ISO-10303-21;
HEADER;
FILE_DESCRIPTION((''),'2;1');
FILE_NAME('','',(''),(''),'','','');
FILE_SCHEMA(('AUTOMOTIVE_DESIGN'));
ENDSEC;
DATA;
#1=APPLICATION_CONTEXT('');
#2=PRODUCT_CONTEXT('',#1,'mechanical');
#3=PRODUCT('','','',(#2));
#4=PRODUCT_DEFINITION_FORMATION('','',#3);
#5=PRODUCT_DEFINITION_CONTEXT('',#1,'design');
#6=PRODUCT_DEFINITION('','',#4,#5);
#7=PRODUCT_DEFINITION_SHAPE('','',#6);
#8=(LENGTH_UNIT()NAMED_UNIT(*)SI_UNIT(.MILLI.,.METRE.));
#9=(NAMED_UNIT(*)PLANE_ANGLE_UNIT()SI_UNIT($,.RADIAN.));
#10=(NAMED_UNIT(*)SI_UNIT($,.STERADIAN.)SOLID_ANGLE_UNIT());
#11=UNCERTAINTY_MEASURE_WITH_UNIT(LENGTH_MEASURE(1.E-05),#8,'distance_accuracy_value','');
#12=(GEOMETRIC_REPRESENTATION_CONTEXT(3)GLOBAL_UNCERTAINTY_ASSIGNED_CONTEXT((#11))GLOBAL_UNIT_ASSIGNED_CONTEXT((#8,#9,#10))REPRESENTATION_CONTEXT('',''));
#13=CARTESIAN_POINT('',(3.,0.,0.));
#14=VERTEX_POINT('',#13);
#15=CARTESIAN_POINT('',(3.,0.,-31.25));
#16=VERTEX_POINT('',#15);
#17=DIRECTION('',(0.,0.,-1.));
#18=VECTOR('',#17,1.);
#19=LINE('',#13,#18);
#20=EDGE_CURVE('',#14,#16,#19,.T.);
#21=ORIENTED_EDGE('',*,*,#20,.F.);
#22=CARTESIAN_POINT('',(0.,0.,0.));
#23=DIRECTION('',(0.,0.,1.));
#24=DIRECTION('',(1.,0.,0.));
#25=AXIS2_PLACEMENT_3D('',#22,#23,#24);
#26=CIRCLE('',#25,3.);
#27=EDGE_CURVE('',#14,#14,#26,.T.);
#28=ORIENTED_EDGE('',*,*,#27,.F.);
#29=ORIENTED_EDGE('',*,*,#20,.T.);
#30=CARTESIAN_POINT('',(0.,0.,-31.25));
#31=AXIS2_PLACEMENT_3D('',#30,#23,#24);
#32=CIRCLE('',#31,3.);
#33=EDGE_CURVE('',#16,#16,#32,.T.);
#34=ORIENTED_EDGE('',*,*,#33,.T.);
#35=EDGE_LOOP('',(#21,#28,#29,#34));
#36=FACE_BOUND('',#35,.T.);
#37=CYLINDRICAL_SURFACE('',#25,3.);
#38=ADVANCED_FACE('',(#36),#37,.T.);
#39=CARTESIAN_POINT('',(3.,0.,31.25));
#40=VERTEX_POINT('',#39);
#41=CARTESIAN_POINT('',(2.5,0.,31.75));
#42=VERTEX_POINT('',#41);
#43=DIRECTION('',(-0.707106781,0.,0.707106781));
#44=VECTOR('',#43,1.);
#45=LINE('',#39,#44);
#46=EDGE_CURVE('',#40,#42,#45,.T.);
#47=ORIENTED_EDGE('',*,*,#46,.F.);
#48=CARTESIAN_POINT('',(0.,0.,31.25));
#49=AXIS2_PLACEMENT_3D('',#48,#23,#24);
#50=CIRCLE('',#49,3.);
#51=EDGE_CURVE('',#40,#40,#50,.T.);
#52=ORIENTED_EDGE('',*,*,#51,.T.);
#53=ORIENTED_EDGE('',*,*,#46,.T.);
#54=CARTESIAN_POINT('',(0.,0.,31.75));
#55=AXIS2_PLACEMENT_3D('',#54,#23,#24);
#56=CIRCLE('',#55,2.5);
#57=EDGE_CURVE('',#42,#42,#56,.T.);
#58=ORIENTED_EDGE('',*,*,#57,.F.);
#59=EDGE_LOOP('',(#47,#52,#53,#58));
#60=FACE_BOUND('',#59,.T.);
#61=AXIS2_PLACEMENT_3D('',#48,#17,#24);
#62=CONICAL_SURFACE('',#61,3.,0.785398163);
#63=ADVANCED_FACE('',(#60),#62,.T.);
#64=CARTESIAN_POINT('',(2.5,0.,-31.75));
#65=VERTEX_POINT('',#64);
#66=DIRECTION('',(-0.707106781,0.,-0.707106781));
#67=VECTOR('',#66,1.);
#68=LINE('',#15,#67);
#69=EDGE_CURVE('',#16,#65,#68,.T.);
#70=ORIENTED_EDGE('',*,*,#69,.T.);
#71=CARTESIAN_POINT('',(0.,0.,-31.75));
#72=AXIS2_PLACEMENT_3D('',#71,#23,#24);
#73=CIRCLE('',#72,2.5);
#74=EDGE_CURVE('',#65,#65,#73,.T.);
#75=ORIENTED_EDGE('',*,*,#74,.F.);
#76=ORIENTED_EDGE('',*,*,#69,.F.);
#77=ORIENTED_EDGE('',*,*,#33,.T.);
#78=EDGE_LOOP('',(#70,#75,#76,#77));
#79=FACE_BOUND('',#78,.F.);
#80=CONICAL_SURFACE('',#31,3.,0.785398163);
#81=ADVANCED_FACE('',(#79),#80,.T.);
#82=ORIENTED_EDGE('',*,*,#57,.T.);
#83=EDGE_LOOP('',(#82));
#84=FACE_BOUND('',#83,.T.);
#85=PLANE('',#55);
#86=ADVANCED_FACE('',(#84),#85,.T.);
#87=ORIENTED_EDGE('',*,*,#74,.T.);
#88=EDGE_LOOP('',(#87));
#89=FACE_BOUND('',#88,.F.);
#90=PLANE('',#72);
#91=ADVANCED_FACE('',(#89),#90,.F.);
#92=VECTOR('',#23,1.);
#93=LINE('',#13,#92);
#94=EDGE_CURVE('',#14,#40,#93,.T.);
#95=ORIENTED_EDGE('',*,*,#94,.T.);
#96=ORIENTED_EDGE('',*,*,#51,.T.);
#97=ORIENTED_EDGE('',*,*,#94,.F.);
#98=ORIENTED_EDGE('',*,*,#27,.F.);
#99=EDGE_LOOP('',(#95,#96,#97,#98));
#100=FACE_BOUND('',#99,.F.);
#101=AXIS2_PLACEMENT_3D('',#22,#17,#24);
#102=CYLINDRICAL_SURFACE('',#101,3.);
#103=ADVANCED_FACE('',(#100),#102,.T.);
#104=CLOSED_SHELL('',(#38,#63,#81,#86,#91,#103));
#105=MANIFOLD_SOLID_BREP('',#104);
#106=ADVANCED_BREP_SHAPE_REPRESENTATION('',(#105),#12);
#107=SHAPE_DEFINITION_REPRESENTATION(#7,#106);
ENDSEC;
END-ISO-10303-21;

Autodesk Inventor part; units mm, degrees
ref_plane "YZ Plane" through (0, 0, 0) normal (1, 0, 0) x (0, 1, 0)
ref_plane "XZ Plane" through (0, 0, 0) normal (0, 1, 0) x (-1, 0, 0)
ref_plane "XY Plane" through (0, 0, 0) normal (0, 0, 1) x (1, 0, 0)
sketch "Sketch1" plane through (0, 0, 0) normal (0, 0, 1) x (1, 0, 0)
  circle A0 centre (0, 0) radius 3
  dimension "d0" = 6
extrude "Extrusion1" add sketch "Sketch1" along normal mid plane 63.5
chamfer "Chamfer1" distance 0.5 angle 45 2 edges at (-3, 0, 31.75) (-3, 0, -31.75)
properties part number "NASA-20-SHFT-01" material "Steel, Alloy"
